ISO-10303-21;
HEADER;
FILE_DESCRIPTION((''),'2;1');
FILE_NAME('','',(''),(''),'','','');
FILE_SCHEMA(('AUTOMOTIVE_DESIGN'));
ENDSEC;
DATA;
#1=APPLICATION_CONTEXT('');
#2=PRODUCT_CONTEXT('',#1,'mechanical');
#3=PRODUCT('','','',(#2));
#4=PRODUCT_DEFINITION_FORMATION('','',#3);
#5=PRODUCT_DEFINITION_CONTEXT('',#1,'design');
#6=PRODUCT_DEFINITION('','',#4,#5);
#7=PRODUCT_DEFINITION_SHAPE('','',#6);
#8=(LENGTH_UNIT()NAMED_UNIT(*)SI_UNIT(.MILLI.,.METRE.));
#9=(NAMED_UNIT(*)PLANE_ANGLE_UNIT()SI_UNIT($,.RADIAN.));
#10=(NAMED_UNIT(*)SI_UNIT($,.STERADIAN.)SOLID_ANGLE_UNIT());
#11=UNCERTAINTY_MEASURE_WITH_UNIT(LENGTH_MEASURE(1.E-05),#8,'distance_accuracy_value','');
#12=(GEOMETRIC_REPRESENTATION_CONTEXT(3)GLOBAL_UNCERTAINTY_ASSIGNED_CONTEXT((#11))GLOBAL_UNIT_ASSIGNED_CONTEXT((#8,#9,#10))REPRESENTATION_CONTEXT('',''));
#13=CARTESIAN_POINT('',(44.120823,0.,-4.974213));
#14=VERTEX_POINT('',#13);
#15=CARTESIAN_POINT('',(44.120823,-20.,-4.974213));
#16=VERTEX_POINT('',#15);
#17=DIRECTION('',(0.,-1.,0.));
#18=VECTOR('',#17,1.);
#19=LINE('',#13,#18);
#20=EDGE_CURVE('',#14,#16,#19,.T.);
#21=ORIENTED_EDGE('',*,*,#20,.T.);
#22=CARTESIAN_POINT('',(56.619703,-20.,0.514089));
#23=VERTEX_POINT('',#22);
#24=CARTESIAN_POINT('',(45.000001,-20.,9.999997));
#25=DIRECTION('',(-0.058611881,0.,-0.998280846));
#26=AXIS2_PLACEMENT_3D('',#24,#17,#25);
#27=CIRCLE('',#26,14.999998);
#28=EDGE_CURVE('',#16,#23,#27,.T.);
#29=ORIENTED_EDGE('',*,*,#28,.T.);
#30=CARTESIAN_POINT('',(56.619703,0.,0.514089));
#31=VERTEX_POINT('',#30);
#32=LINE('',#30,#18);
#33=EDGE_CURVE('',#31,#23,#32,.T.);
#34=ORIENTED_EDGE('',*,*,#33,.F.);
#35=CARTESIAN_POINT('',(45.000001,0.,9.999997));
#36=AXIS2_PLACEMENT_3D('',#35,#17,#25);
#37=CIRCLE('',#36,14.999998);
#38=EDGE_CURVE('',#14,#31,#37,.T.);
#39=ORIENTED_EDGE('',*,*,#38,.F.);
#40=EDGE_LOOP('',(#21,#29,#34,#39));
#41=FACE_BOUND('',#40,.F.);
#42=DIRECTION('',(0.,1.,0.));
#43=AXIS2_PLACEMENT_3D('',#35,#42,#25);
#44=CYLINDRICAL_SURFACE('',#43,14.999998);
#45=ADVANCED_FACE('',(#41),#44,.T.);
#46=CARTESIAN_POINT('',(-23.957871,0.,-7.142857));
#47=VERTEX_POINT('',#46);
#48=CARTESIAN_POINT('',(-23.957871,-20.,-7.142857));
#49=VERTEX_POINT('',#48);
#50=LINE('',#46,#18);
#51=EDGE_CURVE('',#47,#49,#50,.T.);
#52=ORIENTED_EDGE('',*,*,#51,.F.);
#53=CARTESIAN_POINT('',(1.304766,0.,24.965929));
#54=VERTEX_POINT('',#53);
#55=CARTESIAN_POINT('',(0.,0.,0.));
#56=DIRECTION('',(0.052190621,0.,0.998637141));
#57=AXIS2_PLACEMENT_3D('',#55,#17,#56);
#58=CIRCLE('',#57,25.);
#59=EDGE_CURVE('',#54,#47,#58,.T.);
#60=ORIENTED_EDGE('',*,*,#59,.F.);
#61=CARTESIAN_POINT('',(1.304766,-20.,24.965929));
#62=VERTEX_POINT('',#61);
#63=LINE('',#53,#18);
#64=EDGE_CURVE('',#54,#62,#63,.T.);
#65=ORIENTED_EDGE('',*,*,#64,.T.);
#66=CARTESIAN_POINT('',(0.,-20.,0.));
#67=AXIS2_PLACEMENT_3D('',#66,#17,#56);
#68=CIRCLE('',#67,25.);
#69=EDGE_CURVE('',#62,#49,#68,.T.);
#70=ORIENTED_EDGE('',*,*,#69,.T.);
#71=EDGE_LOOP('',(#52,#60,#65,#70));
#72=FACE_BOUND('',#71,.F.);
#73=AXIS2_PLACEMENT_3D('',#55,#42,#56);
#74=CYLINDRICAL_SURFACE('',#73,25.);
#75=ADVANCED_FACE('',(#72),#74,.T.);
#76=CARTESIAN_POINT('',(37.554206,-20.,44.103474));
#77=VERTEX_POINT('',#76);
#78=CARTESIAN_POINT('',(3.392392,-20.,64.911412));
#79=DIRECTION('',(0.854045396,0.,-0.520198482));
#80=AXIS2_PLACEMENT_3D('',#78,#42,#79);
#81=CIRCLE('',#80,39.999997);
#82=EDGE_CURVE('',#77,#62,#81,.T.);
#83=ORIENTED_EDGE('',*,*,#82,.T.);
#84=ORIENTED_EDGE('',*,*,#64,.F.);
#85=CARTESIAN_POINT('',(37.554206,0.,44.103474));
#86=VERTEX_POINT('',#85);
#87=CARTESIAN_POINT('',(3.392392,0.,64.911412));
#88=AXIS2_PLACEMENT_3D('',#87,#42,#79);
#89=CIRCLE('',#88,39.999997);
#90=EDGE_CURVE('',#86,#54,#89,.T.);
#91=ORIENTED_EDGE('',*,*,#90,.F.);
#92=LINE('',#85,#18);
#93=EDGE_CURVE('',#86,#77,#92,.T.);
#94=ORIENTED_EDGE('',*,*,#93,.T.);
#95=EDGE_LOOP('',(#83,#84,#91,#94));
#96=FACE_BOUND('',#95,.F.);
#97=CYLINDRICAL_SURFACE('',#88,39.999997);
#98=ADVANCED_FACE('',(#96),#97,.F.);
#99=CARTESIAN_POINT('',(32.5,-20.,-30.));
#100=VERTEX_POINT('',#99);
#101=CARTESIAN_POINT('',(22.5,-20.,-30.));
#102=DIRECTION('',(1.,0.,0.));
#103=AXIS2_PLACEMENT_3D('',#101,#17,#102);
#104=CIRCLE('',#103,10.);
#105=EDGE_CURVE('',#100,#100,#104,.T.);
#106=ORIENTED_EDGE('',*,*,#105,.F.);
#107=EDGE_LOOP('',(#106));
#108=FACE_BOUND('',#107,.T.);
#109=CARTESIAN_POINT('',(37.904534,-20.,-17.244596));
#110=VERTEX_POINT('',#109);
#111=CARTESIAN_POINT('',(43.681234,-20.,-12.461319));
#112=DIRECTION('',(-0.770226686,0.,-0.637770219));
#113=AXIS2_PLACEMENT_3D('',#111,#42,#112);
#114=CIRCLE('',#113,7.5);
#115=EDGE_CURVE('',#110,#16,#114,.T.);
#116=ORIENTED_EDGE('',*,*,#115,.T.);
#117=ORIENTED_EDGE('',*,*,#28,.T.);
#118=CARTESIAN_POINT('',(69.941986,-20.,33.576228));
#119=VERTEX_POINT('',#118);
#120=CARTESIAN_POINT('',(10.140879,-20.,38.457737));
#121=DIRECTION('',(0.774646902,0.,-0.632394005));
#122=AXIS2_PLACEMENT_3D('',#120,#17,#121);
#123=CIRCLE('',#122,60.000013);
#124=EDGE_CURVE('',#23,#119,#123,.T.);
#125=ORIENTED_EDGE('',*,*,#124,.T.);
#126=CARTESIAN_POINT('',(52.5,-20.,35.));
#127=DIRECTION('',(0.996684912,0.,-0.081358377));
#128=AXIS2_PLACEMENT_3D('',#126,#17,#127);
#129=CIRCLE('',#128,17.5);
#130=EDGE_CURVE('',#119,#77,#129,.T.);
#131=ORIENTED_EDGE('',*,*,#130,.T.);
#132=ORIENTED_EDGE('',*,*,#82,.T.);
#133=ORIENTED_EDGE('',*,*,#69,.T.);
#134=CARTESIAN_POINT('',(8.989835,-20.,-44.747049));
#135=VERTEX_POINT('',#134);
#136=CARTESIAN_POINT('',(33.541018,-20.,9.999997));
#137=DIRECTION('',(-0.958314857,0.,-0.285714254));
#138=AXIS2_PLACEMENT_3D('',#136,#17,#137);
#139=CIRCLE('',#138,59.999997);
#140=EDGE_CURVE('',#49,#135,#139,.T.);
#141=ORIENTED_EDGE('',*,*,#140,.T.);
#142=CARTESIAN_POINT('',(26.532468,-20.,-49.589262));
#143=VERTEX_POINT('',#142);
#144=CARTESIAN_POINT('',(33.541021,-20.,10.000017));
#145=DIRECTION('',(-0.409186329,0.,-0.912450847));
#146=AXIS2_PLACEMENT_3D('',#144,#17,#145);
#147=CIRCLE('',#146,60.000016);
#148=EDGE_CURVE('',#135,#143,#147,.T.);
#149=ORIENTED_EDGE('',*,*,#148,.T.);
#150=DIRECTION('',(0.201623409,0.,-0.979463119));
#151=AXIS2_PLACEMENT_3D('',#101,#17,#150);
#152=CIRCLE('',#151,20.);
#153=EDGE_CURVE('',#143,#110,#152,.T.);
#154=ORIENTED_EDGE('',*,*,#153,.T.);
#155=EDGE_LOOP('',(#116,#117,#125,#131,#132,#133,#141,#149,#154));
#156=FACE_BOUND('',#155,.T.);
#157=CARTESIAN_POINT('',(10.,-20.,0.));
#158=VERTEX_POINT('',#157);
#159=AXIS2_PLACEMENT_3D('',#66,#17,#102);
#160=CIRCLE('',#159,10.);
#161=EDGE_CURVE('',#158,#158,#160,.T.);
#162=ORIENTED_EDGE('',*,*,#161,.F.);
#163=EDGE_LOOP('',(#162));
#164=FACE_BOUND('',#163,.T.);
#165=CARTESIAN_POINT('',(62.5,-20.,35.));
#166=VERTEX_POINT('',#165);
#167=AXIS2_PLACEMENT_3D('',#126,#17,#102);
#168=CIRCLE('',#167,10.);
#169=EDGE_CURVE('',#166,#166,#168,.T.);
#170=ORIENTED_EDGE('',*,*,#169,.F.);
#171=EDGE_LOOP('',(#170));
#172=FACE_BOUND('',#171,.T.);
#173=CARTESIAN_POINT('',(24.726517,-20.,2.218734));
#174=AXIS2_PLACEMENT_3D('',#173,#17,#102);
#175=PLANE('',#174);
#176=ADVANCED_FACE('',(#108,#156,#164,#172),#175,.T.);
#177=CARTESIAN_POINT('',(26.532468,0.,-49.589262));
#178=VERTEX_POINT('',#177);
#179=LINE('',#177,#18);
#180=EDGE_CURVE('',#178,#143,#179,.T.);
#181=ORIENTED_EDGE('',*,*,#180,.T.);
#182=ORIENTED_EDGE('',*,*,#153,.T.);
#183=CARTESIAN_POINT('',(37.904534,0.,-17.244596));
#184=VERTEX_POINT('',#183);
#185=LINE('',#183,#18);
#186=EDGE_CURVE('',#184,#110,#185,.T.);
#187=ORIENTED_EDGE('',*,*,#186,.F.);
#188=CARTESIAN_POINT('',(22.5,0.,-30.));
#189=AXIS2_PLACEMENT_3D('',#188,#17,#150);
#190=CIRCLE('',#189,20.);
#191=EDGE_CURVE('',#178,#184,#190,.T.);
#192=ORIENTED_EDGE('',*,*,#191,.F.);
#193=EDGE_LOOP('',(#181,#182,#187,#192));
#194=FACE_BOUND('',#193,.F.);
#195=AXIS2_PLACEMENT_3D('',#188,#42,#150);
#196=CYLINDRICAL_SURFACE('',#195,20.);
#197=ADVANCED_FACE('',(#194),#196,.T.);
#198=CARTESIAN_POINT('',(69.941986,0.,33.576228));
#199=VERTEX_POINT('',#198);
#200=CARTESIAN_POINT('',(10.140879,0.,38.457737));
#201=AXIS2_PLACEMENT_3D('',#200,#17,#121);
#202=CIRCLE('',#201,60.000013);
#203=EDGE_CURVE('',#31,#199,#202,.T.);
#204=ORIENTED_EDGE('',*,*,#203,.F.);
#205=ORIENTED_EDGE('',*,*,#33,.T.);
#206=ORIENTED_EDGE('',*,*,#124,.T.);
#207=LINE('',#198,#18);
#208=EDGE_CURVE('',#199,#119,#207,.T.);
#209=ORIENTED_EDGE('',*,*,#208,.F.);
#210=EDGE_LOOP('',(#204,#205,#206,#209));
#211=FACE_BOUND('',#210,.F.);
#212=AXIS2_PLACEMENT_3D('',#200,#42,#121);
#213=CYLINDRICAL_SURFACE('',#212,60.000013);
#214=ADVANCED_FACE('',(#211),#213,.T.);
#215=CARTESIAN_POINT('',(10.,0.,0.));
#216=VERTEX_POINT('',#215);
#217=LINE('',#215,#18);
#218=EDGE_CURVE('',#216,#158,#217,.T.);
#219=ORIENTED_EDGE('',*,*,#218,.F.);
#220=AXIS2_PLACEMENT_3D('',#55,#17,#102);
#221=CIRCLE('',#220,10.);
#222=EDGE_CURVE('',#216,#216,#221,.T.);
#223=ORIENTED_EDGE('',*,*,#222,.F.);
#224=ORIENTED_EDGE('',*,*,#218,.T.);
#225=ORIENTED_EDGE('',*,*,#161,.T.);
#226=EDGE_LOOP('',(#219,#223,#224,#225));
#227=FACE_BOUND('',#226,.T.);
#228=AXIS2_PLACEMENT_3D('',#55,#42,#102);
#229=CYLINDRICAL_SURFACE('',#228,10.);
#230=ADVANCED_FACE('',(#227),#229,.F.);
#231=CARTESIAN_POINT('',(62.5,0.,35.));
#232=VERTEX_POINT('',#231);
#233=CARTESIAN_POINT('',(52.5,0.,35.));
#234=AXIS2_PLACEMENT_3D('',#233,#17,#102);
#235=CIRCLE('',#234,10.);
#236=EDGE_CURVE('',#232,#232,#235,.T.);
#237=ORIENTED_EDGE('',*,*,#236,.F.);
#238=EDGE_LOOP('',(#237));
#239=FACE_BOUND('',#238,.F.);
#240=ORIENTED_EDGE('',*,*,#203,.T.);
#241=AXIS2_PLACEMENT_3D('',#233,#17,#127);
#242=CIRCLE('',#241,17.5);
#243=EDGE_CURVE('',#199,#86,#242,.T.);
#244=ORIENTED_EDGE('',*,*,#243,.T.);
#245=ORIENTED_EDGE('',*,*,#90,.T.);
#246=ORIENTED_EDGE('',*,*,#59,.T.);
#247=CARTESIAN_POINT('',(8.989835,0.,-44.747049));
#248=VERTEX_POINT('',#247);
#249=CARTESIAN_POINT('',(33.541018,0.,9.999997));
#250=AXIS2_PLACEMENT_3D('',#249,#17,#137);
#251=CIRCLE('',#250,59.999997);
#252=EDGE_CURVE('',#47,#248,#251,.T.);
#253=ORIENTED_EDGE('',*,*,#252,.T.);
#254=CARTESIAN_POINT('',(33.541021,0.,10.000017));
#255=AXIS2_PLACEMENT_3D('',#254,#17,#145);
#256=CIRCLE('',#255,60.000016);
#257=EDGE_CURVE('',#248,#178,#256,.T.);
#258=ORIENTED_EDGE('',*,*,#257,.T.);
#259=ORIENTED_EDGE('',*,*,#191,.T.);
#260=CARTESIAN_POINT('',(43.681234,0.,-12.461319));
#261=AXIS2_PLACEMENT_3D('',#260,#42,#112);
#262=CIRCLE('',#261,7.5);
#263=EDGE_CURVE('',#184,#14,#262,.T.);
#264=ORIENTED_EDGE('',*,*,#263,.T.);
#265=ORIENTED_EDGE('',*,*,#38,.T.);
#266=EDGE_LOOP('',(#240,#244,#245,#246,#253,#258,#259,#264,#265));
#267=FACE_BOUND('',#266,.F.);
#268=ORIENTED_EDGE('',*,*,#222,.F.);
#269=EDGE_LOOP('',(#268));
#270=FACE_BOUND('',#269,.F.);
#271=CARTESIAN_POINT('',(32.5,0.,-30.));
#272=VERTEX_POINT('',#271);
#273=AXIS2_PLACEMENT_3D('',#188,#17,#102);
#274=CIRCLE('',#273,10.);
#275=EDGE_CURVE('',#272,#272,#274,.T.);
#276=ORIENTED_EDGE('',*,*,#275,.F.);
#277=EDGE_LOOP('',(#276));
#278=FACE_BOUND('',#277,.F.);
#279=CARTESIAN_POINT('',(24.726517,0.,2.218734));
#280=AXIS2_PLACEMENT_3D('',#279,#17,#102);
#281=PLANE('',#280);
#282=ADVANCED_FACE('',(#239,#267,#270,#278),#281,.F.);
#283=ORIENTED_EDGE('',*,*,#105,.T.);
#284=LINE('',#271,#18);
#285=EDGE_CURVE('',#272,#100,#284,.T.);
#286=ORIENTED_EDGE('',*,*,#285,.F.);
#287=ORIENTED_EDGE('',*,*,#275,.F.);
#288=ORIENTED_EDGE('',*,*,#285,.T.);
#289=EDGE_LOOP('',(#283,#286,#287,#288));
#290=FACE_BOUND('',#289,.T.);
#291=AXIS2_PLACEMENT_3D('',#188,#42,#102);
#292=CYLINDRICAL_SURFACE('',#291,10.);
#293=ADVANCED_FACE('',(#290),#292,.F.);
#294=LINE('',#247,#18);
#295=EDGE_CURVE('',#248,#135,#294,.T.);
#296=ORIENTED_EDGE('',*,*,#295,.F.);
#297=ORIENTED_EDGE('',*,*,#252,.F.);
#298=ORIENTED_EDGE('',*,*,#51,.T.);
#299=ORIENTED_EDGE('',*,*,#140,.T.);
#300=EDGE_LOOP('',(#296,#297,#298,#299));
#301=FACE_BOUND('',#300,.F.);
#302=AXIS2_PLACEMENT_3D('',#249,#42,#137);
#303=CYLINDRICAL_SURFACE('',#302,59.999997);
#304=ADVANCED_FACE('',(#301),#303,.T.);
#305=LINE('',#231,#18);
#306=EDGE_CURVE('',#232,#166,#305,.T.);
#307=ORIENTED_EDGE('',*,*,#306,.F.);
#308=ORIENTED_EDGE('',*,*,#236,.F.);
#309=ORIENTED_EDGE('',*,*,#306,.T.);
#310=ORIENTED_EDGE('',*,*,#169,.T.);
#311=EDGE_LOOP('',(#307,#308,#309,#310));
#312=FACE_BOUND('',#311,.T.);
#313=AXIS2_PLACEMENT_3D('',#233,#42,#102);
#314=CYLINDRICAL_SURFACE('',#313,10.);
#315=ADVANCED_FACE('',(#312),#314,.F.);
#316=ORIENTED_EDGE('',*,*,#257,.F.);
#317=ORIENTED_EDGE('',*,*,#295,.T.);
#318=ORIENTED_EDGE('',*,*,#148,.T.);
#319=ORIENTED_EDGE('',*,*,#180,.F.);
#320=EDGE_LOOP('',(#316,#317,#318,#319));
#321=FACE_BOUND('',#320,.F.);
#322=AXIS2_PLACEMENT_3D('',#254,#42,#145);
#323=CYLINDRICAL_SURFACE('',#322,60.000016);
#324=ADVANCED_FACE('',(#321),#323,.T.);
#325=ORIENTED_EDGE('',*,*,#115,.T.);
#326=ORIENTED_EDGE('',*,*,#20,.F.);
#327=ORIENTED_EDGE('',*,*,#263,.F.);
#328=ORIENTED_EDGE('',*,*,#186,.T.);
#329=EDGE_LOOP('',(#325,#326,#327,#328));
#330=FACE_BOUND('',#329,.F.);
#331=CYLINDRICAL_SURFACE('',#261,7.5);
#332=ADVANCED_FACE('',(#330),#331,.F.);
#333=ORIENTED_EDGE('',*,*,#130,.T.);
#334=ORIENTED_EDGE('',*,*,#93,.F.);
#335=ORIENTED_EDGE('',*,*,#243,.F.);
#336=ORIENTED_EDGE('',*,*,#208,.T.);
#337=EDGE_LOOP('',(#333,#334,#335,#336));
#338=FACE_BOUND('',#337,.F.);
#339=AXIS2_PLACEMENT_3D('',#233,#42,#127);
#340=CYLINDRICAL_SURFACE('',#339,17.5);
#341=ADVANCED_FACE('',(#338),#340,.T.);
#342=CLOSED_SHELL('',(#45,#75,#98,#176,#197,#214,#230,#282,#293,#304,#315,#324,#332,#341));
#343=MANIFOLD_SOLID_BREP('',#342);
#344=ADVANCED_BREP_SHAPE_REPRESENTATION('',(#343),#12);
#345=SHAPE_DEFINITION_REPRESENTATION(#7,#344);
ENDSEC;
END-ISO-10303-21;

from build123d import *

# Parameters (mm, degrees)
F0_R     = 10
F1_DEPTH = 20


with BuildPart() as f1:
    # F0 (on Front) → F1 (new body)
    with BuildSketch(Plane.XZ):
        with BuildLine():
            ThreePointArc((37.554206, 44.103474), (22.067235, 29.538399), (1.304766, 24.965929))
            ThreePointArc((1.304766, 24.965929), (-19.647756, 15.458515), (-23.957871, -7.142857))
            ThreePointArc((-23.957871, -7.142857), (-11.587381, -29.540201), (8.989835, -44.747049))
            ThreePointArc((8.989835, -44.747049), (17.576496, -47.837133), (26.532468, -49.589262))
            ThreePointArc((26.532468, -49.589262), (41.367793, -36.63373), (37.904534, -17.244596))
            ThreePointArc((37.904534, -17.244596), (36.990811, -9.071889), (44.120823, -4.974213))
            ThreePointArc((44.120823, -4.974213), (51.030762, -3.734261), (56.619703, 0.514089))
            ThreePointArc((56.619703, 0.514089), (65.792763, 16.032989), (69.941986, 33.576228))
            ThreePointArc((69.941986, 33.576228), (57.909572, 51.642912), (37.554206, 44.103474))
        make_face()
        Circle(F0_R, mode=Mode.SUBTRACT)
        with Locations((22.5, -30)):
            Circle(F0_R, mode=Mode.SUBTRACT)
        with Locations((52.5, 35)):
            Circle(F0_R, mode=Mode.SUBTRACT)
    extrude(amount=F1_DEPTH)


solid = f1.part
